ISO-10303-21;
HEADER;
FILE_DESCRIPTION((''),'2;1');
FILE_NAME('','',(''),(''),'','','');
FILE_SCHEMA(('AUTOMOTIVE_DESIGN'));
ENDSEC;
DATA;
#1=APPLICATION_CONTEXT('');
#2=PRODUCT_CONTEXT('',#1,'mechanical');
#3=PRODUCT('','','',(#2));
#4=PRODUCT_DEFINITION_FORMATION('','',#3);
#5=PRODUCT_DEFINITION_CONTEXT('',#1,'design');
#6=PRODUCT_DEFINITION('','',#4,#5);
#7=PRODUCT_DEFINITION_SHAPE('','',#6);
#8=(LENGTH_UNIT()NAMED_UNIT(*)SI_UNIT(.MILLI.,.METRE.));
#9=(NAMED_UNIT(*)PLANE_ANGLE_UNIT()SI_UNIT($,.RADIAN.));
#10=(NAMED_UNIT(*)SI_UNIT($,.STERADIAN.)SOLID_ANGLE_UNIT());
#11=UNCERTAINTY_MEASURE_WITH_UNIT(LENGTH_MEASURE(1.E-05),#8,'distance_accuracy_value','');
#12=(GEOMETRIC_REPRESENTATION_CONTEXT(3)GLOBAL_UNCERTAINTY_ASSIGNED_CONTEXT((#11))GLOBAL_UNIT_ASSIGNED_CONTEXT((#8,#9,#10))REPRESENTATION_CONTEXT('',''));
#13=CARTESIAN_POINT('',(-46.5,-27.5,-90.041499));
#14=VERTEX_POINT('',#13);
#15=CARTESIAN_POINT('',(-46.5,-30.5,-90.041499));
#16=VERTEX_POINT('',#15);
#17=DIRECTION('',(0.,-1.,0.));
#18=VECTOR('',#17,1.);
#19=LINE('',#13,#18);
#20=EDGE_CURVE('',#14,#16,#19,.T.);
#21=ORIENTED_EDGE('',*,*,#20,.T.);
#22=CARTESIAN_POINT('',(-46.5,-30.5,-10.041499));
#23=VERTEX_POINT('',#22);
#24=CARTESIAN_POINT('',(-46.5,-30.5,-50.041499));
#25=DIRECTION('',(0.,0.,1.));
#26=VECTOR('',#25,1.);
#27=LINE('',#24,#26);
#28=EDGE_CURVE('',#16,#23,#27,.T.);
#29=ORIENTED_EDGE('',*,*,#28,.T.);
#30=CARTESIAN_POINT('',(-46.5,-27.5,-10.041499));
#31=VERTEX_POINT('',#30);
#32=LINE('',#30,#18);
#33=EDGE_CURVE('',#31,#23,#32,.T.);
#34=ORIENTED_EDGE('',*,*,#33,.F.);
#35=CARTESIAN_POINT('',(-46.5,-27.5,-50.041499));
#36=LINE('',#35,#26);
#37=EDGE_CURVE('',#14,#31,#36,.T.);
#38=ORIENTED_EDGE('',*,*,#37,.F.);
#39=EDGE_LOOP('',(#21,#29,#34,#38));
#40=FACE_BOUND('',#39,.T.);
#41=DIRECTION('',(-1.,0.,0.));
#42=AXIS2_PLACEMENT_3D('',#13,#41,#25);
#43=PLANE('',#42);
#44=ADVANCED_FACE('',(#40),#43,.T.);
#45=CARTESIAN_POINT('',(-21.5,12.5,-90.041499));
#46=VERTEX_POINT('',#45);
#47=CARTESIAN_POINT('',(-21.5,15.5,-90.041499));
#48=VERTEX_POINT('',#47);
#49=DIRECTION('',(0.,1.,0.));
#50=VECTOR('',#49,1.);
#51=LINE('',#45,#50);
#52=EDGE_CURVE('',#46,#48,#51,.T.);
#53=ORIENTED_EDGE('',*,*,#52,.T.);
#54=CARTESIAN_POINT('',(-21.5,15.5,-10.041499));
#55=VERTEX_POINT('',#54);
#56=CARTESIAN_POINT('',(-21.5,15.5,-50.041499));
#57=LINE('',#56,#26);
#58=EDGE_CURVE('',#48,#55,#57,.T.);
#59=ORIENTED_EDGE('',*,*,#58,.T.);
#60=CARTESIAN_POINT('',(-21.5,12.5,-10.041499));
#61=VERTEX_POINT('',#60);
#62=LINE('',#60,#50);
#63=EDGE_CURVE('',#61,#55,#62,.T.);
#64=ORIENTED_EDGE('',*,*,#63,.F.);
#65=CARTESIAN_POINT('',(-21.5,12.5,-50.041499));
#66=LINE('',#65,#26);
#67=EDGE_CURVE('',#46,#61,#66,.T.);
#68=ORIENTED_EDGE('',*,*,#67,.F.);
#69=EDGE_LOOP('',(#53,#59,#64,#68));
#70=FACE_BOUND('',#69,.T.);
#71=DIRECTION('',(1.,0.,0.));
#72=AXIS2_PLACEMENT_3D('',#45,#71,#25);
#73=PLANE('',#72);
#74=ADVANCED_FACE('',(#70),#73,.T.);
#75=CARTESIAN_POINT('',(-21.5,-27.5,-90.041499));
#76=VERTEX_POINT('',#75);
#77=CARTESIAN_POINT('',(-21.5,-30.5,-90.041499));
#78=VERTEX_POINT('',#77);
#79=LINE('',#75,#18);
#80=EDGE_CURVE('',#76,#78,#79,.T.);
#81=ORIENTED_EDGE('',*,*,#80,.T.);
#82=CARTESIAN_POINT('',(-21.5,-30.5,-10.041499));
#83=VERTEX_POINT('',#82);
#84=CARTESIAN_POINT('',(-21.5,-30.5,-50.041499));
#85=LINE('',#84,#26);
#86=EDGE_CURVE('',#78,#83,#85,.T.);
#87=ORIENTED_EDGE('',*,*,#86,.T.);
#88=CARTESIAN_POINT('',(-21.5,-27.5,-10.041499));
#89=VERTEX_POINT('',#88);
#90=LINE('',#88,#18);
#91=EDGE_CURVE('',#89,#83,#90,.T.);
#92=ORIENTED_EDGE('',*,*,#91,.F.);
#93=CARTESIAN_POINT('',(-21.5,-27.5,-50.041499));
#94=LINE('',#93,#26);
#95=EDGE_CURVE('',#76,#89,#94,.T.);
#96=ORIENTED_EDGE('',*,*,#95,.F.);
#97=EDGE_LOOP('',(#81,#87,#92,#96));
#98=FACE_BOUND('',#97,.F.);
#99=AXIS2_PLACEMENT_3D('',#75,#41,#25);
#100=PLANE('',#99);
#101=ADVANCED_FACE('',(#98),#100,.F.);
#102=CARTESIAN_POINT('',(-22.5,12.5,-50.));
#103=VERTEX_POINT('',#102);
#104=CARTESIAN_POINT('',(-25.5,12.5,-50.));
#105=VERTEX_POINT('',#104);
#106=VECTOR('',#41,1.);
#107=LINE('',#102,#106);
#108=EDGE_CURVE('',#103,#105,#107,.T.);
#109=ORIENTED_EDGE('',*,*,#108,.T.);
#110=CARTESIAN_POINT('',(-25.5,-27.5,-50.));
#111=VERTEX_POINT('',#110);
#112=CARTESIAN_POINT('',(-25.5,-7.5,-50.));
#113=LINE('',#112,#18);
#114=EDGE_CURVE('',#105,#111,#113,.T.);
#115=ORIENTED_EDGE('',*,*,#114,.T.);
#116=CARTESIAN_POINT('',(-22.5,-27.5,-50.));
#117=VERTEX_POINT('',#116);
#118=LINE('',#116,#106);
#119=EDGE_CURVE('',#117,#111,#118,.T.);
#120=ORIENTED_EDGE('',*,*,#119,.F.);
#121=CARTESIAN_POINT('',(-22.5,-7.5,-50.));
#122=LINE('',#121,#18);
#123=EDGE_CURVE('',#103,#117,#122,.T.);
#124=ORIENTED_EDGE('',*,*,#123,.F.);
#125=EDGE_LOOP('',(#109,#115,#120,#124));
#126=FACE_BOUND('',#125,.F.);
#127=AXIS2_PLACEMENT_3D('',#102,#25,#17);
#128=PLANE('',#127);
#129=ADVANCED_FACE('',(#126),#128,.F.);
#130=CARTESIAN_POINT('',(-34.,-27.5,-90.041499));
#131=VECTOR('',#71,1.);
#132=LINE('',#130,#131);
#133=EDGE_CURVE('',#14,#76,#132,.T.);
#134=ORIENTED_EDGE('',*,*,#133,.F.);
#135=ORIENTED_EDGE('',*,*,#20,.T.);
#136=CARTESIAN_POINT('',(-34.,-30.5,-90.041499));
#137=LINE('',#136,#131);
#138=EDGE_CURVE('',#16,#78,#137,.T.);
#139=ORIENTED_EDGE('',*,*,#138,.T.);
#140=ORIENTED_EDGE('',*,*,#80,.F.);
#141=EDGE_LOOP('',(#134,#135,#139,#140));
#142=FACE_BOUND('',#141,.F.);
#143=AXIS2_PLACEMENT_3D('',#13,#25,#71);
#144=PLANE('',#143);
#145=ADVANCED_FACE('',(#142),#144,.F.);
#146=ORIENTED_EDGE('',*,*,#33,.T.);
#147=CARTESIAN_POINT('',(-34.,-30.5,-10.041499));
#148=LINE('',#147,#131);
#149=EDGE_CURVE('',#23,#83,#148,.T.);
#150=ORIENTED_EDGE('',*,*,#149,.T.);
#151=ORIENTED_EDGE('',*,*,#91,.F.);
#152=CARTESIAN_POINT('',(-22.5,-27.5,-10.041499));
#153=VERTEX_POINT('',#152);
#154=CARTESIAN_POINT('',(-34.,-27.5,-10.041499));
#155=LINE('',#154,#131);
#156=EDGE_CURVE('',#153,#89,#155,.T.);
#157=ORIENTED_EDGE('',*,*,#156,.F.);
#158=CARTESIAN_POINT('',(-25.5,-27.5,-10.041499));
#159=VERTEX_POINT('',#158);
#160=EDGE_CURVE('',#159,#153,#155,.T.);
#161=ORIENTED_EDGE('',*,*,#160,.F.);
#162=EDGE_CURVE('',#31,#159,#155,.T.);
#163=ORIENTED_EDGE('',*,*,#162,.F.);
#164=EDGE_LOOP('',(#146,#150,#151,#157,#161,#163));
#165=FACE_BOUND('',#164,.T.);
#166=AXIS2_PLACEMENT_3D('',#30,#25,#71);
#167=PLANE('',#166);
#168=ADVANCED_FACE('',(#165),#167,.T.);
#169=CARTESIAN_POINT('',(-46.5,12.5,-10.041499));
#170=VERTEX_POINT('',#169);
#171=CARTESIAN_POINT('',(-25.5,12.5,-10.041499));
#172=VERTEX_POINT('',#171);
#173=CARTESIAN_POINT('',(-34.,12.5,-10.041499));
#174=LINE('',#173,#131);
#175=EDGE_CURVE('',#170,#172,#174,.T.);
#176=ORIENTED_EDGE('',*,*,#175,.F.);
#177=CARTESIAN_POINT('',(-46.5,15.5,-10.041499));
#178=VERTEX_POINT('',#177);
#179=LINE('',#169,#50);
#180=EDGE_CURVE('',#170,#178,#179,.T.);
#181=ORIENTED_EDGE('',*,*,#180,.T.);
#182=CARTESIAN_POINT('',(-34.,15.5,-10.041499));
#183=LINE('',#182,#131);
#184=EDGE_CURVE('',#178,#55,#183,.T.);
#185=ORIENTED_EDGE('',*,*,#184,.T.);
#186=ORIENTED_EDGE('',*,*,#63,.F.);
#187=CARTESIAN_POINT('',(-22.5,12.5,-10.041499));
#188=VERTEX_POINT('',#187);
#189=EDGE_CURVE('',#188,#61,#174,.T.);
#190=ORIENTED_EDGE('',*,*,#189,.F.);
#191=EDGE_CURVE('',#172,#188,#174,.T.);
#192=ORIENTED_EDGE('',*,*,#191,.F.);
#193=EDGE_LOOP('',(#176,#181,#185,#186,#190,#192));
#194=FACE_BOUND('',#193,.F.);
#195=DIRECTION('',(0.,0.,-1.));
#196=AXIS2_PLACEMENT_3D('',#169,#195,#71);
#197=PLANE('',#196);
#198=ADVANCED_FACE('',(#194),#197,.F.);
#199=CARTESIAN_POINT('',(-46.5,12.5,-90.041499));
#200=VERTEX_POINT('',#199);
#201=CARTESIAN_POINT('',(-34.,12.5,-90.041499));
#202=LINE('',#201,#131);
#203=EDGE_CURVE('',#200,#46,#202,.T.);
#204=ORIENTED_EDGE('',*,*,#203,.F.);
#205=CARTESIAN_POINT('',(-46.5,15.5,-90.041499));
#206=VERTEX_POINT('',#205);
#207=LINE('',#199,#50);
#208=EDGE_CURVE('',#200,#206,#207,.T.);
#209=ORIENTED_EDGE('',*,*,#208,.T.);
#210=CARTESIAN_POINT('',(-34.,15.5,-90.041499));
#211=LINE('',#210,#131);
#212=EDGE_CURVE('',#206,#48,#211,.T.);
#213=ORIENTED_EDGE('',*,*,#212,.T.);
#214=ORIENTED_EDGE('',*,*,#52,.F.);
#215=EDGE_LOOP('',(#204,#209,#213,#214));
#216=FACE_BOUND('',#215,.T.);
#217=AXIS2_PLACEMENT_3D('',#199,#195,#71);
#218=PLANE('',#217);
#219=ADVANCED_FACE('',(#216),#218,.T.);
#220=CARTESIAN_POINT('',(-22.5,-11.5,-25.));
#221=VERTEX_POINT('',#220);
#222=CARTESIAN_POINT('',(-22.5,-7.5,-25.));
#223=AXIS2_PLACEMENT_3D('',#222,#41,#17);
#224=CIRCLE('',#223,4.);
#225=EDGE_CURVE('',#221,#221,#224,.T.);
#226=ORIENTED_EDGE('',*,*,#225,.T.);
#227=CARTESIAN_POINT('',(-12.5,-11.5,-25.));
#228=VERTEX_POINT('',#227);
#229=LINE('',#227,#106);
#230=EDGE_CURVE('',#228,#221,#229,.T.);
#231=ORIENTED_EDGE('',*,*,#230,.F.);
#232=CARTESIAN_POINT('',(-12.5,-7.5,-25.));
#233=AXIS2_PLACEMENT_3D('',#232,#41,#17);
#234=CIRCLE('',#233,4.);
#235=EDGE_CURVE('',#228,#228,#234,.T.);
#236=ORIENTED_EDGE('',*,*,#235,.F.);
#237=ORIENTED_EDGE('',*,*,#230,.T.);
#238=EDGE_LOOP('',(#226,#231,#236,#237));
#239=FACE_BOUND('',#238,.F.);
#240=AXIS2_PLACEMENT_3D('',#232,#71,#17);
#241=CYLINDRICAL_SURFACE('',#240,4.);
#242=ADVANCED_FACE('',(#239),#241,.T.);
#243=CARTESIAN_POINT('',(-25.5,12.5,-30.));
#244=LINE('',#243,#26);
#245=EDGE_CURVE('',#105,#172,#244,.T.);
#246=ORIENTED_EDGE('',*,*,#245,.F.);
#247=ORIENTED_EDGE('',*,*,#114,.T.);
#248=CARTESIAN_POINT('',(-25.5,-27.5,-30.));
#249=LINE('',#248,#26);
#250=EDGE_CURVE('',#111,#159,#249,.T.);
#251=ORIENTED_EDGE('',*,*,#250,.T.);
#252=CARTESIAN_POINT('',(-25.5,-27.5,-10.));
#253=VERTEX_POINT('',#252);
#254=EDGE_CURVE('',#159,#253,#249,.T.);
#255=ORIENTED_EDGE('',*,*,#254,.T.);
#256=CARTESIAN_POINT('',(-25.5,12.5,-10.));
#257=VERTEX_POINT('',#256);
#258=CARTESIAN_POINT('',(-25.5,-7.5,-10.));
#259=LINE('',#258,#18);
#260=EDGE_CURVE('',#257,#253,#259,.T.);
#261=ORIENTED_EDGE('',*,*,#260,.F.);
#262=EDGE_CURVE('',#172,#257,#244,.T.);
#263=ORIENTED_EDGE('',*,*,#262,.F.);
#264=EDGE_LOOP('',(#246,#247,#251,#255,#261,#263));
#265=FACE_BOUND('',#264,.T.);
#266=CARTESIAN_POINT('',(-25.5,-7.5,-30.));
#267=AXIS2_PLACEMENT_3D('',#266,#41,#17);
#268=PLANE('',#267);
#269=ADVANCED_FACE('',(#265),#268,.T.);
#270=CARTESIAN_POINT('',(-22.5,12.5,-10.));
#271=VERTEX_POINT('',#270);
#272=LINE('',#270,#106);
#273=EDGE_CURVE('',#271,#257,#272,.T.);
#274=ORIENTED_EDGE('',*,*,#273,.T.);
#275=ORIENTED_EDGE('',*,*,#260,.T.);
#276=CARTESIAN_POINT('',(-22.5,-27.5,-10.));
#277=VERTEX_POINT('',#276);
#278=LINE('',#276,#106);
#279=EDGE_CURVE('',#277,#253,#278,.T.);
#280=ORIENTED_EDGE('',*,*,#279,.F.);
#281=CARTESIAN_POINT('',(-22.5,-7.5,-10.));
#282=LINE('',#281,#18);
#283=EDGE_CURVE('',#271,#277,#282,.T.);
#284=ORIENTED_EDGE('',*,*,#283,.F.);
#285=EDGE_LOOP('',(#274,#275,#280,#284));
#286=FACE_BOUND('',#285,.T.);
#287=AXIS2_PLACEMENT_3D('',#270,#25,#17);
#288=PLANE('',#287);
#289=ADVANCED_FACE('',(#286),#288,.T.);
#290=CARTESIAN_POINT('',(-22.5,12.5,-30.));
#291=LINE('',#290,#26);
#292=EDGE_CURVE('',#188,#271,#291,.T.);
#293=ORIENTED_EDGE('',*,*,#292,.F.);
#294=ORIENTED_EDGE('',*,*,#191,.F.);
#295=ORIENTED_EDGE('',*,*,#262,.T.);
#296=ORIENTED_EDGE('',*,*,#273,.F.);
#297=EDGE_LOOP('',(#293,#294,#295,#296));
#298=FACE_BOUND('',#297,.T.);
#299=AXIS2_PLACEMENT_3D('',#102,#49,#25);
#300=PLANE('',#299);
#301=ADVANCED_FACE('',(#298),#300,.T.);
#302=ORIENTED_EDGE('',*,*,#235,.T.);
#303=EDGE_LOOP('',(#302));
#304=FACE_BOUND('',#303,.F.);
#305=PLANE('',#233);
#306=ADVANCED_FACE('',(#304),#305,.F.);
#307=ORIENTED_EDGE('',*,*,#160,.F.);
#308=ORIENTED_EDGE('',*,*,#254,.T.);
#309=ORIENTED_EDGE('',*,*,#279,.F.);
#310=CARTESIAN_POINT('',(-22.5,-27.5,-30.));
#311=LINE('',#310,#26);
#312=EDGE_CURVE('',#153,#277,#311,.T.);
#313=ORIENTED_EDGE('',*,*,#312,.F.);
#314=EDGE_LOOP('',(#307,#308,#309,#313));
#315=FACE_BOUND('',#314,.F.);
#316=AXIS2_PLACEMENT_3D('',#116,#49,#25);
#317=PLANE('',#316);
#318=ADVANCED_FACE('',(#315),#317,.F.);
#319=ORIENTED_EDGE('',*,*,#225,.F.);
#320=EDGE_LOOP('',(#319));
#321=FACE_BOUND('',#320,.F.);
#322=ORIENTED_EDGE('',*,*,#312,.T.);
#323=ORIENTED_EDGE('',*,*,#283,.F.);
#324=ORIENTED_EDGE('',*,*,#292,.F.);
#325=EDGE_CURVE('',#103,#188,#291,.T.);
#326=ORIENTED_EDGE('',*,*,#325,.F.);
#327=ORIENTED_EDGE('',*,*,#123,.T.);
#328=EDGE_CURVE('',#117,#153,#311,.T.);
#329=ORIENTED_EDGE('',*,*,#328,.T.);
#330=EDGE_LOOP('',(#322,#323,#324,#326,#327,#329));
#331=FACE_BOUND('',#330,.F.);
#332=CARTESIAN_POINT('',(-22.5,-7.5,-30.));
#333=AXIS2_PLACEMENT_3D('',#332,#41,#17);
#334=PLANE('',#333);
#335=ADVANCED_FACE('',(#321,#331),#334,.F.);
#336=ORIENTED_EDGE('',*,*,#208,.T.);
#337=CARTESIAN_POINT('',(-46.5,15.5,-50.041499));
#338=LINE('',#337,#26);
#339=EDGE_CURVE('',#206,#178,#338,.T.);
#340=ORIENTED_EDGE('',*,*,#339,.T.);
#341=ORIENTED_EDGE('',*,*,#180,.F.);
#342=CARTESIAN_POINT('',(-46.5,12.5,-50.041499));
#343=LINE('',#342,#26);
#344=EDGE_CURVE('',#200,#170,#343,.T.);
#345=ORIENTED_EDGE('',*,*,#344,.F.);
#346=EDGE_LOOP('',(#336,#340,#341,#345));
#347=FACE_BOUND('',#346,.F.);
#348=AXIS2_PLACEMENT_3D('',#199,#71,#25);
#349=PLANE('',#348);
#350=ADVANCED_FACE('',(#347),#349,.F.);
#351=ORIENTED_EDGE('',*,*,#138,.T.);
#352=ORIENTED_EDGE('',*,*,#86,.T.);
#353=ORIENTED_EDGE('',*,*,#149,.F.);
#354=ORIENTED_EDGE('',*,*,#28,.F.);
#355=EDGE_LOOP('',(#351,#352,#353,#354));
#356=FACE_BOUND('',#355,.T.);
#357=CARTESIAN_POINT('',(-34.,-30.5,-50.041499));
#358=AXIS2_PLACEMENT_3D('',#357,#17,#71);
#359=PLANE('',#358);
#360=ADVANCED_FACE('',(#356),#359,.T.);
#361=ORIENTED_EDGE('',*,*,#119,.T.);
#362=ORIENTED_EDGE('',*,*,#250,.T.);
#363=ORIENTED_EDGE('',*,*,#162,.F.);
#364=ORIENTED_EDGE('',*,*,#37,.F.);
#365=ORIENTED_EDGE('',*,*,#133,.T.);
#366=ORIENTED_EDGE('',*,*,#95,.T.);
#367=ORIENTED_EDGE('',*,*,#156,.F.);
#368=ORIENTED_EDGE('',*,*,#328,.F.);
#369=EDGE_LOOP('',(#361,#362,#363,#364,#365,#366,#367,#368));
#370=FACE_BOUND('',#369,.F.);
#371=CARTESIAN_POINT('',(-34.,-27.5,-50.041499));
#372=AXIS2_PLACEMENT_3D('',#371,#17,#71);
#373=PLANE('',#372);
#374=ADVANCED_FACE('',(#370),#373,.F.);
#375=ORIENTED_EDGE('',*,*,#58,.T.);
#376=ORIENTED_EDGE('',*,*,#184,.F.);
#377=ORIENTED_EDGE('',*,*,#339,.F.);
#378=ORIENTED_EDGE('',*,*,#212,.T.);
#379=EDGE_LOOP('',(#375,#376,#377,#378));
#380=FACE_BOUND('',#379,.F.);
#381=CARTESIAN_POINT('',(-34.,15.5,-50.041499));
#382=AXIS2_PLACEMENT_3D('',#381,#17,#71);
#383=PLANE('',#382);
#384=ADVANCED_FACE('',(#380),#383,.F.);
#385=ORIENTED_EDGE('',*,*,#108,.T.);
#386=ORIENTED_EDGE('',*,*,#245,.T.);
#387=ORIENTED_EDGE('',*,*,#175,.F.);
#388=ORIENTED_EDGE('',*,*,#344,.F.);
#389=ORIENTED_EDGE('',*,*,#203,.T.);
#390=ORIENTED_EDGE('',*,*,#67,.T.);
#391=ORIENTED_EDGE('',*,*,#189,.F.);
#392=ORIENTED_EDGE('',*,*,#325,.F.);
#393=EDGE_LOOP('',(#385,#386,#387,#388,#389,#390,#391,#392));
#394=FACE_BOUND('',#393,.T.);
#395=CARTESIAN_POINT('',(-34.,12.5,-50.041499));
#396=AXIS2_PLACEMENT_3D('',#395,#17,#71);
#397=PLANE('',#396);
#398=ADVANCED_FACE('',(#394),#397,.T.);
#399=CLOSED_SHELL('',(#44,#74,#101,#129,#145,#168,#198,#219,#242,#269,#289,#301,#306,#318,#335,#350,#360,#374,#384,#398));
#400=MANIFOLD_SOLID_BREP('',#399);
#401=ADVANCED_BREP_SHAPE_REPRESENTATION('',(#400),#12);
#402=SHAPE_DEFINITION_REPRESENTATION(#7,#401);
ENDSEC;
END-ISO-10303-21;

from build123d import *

# Parameters (mm, degrees)
SKETCH005_W  = 25
SKETCH005_H  = 80
PAD004_DEPTH = 3
SKETCH003_R  = 4
PAD002_DEPTH = 10
SKETCH004_W  = 40
SKETCH004_H  = 40
PAD003_DEPTH = 3
SKETCH006_W  = 25
SKETCH006_H  = 80
PAD005_DEPTH = 3


with BuildPart() as pad004:
    # Sketch005 → Pad004 (new body)
    with BuildSketch(Plane.XZ.offset(-12.5)):
        with Locations((-34, -50.041499)):
            Rectangle(SKETCH005_W, SKETCH005_H)
    extrude(amount=-PAD004_DEPTH)


with BuildPart() as pad002:
    # Sketch003 → Pad002 (new body)
    with BuildSketch(Plane(origin=(-12.5, 0, 0), x_dir=(0, -1, 0), z_dir=(-1, 0, 0))):
        with Locations((7.5, -25)):
            Circle(SKETCH003_R)
    extrude(amount=PAD002_DEPTH)


with BuildPart() as pad003:
    # Sketch004 → Pad003 (new body)
    with BuildSketch(Plane(origin=(-22.5, 0, 0), x_dir=(0, -1, 0), z_dir=(-1, 0, 0))):
        with Locations((7.5, -30)):
            Rectangle(SKETCH004_W, SKETCH004_H)
    extrude(amount=PAD003_DEPTH)


with BuildPart() as fusion005:
    # Sketch006 → Pad005 (new body)
    with BuildSketch(Plane.XZ.offset(27.5)):
        with Locations((-34, -50.041499)):
            Rectangle(SKETCH006_W, SKETCH006_H)
    extrude(amount=PAD005_DEPTH)

    # Fusion005: union Pad004, Pad002, Pad003
    add(pad004.part)
    add(pad002.part)
    add(pad003.part)


solid = fusion005.part
